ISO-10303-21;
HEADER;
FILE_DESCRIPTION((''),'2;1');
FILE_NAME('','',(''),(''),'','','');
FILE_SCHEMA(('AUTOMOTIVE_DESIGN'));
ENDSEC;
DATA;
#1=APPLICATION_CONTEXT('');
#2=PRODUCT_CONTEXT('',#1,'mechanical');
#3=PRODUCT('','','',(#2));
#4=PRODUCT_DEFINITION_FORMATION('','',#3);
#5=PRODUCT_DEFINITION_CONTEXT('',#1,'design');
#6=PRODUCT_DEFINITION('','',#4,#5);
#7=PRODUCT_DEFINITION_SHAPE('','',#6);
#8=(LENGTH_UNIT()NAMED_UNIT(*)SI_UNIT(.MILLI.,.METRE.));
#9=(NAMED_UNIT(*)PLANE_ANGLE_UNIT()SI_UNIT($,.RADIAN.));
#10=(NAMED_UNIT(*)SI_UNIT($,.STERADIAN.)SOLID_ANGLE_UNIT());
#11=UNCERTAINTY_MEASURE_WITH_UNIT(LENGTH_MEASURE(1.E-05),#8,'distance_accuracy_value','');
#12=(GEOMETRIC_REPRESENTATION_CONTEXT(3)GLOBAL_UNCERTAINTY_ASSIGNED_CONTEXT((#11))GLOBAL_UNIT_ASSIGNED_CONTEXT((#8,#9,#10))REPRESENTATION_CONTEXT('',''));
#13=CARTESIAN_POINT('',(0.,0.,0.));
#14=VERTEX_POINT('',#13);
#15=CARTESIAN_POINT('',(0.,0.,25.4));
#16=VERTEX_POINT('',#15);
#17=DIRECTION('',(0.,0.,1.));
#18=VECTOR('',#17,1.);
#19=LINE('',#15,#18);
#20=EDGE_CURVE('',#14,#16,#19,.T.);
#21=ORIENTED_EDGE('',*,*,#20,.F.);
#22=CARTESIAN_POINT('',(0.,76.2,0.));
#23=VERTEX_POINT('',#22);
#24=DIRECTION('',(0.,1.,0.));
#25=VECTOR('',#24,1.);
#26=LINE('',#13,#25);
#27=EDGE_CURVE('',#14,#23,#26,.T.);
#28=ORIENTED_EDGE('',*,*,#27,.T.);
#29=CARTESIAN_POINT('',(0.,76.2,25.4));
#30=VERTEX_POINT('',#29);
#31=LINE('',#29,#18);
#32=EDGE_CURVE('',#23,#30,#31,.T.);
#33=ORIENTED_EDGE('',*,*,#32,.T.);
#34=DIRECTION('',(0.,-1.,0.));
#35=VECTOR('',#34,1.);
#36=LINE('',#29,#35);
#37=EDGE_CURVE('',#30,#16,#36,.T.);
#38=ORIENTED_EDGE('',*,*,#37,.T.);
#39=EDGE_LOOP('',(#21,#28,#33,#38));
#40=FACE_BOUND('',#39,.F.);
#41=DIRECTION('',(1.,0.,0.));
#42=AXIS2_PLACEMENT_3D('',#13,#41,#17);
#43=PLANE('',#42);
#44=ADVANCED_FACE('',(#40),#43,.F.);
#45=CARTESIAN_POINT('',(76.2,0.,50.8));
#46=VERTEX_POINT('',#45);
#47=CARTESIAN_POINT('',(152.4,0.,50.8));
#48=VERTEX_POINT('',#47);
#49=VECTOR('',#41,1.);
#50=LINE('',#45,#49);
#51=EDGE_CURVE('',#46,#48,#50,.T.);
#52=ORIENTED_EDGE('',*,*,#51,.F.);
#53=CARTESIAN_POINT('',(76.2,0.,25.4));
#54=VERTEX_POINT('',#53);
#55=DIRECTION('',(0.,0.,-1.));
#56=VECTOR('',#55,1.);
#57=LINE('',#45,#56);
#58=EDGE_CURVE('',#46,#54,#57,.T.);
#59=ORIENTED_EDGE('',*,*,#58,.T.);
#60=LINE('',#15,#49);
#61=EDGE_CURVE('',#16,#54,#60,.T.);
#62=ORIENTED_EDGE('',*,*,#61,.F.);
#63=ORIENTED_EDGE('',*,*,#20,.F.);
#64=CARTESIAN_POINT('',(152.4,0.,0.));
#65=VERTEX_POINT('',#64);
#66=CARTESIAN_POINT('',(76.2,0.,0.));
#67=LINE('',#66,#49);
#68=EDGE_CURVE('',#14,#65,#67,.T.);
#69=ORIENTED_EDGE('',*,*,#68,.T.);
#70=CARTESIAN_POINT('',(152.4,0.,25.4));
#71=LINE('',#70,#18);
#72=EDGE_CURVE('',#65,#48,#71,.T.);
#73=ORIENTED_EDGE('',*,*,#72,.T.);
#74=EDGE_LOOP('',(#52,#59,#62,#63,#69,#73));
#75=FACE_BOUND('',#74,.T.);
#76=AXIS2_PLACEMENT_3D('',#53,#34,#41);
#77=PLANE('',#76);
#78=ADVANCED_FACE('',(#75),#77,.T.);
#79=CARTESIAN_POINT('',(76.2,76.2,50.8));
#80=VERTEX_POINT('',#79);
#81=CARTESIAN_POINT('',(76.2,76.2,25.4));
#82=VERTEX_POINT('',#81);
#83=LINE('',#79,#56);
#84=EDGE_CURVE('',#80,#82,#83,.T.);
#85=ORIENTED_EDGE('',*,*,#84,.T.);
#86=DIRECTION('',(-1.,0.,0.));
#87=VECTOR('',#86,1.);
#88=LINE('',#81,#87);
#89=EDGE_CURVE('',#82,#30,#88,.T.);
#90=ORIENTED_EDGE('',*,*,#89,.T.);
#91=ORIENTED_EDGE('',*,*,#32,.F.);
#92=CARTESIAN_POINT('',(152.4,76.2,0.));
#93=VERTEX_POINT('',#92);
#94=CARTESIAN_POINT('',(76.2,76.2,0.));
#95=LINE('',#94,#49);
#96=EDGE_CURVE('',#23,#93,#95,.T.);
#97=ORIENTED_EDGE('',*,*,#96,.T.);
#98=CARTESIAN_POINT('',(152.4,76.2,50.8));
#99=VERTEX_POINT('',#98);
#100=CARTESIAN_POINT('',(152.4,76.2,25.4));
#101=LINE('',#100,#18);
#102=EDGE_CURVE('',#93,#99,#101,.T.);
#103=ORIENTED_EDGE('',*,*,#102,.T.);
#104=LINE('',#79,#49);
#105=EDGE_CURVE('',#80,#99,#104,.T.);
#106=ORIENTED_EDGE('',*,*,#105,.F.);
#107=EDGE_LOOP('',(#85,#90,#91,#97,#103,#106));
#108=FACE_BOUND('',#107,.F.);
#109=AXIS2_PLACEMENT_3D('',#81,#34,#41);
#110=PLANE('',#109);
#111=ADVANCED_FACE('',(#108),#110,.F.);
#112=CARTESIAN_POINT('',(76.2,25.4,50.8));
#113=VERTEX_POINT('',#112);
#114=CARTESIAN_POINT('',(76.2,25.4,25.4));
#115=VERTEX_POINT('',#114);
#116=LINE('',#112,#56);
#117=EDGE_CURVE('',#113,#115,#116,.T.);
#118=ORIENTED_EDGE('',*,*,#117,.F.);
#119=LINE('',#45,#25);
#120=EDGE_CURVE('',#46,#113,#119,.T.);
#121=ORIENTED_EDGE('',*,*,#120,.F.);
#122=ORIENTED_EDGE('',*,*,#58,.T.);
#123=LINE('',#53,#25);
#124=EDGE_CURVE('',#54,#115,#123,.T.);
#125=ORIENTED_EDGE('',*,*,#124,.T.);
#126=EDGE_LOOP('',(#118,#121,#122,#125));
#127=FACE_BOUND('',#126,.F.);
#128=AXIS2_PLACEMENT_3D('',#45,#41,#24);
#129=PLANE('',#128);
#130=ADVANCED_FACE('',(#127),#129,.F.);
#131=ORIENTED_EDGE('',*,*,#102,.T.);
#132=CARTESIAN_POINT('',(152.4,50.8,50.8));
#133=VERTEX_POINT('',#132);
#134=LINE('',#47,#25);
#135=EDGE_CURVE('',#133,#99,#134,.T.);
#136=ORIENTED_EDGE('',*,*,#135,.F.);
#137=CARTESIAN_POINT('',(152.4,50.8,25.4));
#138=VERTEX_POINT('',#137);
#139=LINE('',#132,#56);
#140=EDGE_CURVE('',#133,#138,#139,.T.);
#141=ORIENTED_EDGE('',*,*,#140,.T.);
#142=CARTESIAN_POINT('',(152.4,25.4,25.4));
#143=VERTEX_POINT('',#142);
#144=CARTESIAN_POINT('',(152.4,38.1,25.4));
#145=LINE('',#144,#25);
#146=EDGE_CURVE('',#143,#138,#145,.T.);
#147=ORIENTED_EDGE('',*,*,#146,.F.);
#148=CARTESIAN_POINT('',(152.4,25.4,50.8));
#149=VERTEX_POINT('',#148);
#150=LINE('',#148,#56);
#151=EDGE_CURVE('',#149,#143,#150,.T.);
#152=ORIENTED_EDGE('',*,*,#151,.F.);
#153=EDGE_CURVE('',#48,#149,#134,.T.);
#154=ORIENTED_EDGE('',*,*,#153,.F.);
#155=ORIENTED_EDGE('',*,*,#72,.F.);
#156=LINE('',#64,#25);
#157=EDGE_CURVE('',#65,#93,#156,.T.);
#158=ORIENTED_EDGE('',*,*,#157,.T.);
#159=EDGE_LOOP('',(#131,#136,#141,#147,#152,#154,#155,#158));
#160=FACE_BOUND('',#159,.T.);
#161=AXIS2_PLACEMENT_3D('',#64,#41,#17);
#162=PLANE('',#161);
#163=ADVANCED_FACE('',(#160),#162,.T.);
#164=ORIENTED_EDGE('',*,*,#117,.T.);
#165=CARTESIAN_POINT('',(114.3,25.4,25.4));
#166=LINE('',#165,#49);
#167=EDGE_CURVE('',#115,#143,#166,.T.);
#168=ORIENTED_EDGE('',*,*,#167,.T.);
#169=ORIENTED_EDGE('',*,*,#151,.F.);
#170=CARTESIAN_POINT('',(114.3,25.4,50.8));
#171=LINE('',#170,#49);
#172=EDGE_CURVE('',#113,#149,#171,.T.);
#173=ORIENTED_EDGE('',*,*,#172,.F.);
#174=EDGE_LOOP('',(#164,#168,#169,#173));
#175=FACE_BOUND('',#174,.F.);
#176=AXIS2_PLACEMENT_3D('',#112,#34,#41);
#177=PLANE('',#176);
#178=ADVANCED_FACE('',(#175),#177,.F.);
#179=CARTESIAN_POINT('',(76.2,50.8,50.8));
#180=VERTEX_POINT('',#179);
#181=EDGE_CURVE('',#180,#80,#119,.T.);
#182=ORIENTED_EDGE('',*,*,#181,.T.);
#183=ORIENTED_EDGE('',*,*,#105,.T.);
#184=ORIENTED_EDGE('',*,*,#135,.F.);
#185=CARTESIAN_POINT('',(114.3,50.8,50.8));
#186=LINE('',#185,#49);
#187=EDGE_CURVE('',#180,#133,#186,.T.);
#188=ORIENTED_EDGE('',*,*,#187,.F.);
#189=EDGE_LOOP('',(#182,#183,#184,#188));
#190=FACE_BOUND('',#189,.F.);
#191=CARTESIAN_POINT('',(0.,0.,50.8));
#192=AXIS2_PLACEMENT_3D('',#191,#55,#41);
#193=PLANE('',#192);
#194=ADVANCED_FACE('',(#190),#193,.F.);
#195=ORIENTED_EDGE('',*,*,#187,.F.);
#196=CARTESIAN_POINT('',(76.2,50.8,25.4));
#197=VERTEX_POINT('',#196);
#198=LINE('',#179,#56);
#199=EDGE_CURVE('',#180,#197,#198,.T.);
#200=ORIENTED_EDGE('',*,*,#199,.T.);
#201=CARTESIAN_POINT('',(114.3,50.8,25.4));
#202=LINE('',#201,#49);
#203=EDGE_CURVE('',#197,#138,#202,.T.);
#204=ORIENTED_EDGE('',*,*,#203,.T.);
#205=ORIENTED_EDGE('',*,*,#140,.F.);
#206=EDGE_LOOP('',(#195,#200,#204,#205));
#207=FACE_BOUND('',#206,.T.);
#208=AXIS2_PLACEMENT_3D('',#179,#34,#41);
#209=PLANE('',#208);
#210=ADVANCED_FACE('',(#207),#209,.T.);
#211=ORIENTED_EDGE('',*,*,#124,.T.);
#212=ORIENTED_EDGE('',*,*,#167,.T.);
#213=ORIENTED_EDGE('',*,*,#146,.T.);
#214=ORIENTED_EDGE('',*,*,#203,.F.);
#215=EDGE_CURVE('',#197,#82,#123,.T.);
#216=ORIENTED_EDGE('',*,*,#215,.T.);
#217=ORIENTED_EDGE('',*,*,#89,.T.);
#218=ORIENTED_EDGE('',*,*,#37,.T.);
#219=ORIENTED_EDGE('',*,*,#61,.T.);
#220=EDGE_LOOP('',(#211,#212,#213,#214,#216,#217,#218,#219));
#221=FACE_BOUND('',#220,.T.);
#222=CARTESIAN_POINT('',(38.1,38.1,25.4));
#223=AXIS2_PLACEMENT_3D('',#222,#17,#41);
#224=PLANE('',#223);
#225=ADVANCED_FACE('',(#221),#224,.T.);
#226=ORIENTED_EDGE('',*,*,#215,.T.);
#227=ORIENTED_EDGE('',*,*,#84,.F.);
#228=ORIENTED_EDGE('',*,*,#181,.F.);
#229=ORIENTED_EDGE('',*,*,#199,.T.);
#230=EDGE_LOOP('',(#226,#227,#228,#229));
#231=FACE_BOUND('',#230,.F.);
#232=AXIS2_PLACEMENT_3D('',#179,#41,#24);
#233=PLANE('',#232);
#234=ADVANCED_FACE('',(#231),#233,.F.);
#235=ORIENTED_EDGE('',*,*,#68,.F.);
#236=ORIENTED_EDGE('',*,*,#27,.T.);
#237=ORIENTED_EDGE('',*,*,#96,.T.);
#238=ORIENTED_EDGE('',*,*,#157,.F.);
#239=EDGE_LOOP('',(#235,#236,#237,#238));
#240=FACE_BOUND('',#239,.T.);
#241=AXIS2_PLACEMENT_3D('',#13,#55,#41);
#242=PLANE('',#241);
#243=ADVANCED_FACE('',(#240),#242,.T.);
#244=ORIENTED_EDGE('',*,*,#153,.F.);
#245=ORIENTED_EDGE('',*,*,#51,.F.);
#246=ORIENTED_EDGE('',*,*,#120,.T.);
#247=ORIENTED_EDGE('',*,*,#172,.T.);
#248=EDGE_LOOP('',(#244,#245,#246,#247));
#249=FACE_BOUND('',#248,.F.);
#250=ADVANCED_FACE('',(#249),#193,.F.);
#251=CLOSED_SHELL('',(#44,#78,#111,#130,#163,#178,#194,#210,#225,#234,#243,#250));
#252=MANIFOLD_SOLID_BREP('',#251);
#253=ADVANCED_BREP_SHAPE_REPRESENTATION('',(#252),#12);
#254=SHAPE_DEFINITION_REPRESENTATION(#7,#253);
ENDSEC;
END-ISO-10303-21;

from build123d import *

# Parameters (mm, degrees)
F0_W     = 152.4
F0_H     = 50.8
F1_DEPTH = 76.2
F2_W     = 76.2
F2_H     = 25.4
F3_DEPTH = 25.4


with BuildPart() as f1:
    # F0 (on Front) → F1 (new body)
    with BuildSketch(Plane.XZ):
        with Locations((76.2, 25.4)):
            Rectangle(F0_W, F0_H)
    extrude(amount=-F1_DEPTH)

    # F2 (on face) → F3 (cut)
    with BuildSketch(Plane.XY.offset(50.8)):
        Polygon((0, 76.2), (0, 0), (76.2, 0), (76.2, 25.4), (76.2, 50.8), (76.2, 76.2), align=None)
        with Locations((114.3, 38.1)):
            Rectangle(F2_W, F2_H)
    extrude(amount=-F3_DEPTH, mode=Mode.SUBTRACT)


solid = f1.part
